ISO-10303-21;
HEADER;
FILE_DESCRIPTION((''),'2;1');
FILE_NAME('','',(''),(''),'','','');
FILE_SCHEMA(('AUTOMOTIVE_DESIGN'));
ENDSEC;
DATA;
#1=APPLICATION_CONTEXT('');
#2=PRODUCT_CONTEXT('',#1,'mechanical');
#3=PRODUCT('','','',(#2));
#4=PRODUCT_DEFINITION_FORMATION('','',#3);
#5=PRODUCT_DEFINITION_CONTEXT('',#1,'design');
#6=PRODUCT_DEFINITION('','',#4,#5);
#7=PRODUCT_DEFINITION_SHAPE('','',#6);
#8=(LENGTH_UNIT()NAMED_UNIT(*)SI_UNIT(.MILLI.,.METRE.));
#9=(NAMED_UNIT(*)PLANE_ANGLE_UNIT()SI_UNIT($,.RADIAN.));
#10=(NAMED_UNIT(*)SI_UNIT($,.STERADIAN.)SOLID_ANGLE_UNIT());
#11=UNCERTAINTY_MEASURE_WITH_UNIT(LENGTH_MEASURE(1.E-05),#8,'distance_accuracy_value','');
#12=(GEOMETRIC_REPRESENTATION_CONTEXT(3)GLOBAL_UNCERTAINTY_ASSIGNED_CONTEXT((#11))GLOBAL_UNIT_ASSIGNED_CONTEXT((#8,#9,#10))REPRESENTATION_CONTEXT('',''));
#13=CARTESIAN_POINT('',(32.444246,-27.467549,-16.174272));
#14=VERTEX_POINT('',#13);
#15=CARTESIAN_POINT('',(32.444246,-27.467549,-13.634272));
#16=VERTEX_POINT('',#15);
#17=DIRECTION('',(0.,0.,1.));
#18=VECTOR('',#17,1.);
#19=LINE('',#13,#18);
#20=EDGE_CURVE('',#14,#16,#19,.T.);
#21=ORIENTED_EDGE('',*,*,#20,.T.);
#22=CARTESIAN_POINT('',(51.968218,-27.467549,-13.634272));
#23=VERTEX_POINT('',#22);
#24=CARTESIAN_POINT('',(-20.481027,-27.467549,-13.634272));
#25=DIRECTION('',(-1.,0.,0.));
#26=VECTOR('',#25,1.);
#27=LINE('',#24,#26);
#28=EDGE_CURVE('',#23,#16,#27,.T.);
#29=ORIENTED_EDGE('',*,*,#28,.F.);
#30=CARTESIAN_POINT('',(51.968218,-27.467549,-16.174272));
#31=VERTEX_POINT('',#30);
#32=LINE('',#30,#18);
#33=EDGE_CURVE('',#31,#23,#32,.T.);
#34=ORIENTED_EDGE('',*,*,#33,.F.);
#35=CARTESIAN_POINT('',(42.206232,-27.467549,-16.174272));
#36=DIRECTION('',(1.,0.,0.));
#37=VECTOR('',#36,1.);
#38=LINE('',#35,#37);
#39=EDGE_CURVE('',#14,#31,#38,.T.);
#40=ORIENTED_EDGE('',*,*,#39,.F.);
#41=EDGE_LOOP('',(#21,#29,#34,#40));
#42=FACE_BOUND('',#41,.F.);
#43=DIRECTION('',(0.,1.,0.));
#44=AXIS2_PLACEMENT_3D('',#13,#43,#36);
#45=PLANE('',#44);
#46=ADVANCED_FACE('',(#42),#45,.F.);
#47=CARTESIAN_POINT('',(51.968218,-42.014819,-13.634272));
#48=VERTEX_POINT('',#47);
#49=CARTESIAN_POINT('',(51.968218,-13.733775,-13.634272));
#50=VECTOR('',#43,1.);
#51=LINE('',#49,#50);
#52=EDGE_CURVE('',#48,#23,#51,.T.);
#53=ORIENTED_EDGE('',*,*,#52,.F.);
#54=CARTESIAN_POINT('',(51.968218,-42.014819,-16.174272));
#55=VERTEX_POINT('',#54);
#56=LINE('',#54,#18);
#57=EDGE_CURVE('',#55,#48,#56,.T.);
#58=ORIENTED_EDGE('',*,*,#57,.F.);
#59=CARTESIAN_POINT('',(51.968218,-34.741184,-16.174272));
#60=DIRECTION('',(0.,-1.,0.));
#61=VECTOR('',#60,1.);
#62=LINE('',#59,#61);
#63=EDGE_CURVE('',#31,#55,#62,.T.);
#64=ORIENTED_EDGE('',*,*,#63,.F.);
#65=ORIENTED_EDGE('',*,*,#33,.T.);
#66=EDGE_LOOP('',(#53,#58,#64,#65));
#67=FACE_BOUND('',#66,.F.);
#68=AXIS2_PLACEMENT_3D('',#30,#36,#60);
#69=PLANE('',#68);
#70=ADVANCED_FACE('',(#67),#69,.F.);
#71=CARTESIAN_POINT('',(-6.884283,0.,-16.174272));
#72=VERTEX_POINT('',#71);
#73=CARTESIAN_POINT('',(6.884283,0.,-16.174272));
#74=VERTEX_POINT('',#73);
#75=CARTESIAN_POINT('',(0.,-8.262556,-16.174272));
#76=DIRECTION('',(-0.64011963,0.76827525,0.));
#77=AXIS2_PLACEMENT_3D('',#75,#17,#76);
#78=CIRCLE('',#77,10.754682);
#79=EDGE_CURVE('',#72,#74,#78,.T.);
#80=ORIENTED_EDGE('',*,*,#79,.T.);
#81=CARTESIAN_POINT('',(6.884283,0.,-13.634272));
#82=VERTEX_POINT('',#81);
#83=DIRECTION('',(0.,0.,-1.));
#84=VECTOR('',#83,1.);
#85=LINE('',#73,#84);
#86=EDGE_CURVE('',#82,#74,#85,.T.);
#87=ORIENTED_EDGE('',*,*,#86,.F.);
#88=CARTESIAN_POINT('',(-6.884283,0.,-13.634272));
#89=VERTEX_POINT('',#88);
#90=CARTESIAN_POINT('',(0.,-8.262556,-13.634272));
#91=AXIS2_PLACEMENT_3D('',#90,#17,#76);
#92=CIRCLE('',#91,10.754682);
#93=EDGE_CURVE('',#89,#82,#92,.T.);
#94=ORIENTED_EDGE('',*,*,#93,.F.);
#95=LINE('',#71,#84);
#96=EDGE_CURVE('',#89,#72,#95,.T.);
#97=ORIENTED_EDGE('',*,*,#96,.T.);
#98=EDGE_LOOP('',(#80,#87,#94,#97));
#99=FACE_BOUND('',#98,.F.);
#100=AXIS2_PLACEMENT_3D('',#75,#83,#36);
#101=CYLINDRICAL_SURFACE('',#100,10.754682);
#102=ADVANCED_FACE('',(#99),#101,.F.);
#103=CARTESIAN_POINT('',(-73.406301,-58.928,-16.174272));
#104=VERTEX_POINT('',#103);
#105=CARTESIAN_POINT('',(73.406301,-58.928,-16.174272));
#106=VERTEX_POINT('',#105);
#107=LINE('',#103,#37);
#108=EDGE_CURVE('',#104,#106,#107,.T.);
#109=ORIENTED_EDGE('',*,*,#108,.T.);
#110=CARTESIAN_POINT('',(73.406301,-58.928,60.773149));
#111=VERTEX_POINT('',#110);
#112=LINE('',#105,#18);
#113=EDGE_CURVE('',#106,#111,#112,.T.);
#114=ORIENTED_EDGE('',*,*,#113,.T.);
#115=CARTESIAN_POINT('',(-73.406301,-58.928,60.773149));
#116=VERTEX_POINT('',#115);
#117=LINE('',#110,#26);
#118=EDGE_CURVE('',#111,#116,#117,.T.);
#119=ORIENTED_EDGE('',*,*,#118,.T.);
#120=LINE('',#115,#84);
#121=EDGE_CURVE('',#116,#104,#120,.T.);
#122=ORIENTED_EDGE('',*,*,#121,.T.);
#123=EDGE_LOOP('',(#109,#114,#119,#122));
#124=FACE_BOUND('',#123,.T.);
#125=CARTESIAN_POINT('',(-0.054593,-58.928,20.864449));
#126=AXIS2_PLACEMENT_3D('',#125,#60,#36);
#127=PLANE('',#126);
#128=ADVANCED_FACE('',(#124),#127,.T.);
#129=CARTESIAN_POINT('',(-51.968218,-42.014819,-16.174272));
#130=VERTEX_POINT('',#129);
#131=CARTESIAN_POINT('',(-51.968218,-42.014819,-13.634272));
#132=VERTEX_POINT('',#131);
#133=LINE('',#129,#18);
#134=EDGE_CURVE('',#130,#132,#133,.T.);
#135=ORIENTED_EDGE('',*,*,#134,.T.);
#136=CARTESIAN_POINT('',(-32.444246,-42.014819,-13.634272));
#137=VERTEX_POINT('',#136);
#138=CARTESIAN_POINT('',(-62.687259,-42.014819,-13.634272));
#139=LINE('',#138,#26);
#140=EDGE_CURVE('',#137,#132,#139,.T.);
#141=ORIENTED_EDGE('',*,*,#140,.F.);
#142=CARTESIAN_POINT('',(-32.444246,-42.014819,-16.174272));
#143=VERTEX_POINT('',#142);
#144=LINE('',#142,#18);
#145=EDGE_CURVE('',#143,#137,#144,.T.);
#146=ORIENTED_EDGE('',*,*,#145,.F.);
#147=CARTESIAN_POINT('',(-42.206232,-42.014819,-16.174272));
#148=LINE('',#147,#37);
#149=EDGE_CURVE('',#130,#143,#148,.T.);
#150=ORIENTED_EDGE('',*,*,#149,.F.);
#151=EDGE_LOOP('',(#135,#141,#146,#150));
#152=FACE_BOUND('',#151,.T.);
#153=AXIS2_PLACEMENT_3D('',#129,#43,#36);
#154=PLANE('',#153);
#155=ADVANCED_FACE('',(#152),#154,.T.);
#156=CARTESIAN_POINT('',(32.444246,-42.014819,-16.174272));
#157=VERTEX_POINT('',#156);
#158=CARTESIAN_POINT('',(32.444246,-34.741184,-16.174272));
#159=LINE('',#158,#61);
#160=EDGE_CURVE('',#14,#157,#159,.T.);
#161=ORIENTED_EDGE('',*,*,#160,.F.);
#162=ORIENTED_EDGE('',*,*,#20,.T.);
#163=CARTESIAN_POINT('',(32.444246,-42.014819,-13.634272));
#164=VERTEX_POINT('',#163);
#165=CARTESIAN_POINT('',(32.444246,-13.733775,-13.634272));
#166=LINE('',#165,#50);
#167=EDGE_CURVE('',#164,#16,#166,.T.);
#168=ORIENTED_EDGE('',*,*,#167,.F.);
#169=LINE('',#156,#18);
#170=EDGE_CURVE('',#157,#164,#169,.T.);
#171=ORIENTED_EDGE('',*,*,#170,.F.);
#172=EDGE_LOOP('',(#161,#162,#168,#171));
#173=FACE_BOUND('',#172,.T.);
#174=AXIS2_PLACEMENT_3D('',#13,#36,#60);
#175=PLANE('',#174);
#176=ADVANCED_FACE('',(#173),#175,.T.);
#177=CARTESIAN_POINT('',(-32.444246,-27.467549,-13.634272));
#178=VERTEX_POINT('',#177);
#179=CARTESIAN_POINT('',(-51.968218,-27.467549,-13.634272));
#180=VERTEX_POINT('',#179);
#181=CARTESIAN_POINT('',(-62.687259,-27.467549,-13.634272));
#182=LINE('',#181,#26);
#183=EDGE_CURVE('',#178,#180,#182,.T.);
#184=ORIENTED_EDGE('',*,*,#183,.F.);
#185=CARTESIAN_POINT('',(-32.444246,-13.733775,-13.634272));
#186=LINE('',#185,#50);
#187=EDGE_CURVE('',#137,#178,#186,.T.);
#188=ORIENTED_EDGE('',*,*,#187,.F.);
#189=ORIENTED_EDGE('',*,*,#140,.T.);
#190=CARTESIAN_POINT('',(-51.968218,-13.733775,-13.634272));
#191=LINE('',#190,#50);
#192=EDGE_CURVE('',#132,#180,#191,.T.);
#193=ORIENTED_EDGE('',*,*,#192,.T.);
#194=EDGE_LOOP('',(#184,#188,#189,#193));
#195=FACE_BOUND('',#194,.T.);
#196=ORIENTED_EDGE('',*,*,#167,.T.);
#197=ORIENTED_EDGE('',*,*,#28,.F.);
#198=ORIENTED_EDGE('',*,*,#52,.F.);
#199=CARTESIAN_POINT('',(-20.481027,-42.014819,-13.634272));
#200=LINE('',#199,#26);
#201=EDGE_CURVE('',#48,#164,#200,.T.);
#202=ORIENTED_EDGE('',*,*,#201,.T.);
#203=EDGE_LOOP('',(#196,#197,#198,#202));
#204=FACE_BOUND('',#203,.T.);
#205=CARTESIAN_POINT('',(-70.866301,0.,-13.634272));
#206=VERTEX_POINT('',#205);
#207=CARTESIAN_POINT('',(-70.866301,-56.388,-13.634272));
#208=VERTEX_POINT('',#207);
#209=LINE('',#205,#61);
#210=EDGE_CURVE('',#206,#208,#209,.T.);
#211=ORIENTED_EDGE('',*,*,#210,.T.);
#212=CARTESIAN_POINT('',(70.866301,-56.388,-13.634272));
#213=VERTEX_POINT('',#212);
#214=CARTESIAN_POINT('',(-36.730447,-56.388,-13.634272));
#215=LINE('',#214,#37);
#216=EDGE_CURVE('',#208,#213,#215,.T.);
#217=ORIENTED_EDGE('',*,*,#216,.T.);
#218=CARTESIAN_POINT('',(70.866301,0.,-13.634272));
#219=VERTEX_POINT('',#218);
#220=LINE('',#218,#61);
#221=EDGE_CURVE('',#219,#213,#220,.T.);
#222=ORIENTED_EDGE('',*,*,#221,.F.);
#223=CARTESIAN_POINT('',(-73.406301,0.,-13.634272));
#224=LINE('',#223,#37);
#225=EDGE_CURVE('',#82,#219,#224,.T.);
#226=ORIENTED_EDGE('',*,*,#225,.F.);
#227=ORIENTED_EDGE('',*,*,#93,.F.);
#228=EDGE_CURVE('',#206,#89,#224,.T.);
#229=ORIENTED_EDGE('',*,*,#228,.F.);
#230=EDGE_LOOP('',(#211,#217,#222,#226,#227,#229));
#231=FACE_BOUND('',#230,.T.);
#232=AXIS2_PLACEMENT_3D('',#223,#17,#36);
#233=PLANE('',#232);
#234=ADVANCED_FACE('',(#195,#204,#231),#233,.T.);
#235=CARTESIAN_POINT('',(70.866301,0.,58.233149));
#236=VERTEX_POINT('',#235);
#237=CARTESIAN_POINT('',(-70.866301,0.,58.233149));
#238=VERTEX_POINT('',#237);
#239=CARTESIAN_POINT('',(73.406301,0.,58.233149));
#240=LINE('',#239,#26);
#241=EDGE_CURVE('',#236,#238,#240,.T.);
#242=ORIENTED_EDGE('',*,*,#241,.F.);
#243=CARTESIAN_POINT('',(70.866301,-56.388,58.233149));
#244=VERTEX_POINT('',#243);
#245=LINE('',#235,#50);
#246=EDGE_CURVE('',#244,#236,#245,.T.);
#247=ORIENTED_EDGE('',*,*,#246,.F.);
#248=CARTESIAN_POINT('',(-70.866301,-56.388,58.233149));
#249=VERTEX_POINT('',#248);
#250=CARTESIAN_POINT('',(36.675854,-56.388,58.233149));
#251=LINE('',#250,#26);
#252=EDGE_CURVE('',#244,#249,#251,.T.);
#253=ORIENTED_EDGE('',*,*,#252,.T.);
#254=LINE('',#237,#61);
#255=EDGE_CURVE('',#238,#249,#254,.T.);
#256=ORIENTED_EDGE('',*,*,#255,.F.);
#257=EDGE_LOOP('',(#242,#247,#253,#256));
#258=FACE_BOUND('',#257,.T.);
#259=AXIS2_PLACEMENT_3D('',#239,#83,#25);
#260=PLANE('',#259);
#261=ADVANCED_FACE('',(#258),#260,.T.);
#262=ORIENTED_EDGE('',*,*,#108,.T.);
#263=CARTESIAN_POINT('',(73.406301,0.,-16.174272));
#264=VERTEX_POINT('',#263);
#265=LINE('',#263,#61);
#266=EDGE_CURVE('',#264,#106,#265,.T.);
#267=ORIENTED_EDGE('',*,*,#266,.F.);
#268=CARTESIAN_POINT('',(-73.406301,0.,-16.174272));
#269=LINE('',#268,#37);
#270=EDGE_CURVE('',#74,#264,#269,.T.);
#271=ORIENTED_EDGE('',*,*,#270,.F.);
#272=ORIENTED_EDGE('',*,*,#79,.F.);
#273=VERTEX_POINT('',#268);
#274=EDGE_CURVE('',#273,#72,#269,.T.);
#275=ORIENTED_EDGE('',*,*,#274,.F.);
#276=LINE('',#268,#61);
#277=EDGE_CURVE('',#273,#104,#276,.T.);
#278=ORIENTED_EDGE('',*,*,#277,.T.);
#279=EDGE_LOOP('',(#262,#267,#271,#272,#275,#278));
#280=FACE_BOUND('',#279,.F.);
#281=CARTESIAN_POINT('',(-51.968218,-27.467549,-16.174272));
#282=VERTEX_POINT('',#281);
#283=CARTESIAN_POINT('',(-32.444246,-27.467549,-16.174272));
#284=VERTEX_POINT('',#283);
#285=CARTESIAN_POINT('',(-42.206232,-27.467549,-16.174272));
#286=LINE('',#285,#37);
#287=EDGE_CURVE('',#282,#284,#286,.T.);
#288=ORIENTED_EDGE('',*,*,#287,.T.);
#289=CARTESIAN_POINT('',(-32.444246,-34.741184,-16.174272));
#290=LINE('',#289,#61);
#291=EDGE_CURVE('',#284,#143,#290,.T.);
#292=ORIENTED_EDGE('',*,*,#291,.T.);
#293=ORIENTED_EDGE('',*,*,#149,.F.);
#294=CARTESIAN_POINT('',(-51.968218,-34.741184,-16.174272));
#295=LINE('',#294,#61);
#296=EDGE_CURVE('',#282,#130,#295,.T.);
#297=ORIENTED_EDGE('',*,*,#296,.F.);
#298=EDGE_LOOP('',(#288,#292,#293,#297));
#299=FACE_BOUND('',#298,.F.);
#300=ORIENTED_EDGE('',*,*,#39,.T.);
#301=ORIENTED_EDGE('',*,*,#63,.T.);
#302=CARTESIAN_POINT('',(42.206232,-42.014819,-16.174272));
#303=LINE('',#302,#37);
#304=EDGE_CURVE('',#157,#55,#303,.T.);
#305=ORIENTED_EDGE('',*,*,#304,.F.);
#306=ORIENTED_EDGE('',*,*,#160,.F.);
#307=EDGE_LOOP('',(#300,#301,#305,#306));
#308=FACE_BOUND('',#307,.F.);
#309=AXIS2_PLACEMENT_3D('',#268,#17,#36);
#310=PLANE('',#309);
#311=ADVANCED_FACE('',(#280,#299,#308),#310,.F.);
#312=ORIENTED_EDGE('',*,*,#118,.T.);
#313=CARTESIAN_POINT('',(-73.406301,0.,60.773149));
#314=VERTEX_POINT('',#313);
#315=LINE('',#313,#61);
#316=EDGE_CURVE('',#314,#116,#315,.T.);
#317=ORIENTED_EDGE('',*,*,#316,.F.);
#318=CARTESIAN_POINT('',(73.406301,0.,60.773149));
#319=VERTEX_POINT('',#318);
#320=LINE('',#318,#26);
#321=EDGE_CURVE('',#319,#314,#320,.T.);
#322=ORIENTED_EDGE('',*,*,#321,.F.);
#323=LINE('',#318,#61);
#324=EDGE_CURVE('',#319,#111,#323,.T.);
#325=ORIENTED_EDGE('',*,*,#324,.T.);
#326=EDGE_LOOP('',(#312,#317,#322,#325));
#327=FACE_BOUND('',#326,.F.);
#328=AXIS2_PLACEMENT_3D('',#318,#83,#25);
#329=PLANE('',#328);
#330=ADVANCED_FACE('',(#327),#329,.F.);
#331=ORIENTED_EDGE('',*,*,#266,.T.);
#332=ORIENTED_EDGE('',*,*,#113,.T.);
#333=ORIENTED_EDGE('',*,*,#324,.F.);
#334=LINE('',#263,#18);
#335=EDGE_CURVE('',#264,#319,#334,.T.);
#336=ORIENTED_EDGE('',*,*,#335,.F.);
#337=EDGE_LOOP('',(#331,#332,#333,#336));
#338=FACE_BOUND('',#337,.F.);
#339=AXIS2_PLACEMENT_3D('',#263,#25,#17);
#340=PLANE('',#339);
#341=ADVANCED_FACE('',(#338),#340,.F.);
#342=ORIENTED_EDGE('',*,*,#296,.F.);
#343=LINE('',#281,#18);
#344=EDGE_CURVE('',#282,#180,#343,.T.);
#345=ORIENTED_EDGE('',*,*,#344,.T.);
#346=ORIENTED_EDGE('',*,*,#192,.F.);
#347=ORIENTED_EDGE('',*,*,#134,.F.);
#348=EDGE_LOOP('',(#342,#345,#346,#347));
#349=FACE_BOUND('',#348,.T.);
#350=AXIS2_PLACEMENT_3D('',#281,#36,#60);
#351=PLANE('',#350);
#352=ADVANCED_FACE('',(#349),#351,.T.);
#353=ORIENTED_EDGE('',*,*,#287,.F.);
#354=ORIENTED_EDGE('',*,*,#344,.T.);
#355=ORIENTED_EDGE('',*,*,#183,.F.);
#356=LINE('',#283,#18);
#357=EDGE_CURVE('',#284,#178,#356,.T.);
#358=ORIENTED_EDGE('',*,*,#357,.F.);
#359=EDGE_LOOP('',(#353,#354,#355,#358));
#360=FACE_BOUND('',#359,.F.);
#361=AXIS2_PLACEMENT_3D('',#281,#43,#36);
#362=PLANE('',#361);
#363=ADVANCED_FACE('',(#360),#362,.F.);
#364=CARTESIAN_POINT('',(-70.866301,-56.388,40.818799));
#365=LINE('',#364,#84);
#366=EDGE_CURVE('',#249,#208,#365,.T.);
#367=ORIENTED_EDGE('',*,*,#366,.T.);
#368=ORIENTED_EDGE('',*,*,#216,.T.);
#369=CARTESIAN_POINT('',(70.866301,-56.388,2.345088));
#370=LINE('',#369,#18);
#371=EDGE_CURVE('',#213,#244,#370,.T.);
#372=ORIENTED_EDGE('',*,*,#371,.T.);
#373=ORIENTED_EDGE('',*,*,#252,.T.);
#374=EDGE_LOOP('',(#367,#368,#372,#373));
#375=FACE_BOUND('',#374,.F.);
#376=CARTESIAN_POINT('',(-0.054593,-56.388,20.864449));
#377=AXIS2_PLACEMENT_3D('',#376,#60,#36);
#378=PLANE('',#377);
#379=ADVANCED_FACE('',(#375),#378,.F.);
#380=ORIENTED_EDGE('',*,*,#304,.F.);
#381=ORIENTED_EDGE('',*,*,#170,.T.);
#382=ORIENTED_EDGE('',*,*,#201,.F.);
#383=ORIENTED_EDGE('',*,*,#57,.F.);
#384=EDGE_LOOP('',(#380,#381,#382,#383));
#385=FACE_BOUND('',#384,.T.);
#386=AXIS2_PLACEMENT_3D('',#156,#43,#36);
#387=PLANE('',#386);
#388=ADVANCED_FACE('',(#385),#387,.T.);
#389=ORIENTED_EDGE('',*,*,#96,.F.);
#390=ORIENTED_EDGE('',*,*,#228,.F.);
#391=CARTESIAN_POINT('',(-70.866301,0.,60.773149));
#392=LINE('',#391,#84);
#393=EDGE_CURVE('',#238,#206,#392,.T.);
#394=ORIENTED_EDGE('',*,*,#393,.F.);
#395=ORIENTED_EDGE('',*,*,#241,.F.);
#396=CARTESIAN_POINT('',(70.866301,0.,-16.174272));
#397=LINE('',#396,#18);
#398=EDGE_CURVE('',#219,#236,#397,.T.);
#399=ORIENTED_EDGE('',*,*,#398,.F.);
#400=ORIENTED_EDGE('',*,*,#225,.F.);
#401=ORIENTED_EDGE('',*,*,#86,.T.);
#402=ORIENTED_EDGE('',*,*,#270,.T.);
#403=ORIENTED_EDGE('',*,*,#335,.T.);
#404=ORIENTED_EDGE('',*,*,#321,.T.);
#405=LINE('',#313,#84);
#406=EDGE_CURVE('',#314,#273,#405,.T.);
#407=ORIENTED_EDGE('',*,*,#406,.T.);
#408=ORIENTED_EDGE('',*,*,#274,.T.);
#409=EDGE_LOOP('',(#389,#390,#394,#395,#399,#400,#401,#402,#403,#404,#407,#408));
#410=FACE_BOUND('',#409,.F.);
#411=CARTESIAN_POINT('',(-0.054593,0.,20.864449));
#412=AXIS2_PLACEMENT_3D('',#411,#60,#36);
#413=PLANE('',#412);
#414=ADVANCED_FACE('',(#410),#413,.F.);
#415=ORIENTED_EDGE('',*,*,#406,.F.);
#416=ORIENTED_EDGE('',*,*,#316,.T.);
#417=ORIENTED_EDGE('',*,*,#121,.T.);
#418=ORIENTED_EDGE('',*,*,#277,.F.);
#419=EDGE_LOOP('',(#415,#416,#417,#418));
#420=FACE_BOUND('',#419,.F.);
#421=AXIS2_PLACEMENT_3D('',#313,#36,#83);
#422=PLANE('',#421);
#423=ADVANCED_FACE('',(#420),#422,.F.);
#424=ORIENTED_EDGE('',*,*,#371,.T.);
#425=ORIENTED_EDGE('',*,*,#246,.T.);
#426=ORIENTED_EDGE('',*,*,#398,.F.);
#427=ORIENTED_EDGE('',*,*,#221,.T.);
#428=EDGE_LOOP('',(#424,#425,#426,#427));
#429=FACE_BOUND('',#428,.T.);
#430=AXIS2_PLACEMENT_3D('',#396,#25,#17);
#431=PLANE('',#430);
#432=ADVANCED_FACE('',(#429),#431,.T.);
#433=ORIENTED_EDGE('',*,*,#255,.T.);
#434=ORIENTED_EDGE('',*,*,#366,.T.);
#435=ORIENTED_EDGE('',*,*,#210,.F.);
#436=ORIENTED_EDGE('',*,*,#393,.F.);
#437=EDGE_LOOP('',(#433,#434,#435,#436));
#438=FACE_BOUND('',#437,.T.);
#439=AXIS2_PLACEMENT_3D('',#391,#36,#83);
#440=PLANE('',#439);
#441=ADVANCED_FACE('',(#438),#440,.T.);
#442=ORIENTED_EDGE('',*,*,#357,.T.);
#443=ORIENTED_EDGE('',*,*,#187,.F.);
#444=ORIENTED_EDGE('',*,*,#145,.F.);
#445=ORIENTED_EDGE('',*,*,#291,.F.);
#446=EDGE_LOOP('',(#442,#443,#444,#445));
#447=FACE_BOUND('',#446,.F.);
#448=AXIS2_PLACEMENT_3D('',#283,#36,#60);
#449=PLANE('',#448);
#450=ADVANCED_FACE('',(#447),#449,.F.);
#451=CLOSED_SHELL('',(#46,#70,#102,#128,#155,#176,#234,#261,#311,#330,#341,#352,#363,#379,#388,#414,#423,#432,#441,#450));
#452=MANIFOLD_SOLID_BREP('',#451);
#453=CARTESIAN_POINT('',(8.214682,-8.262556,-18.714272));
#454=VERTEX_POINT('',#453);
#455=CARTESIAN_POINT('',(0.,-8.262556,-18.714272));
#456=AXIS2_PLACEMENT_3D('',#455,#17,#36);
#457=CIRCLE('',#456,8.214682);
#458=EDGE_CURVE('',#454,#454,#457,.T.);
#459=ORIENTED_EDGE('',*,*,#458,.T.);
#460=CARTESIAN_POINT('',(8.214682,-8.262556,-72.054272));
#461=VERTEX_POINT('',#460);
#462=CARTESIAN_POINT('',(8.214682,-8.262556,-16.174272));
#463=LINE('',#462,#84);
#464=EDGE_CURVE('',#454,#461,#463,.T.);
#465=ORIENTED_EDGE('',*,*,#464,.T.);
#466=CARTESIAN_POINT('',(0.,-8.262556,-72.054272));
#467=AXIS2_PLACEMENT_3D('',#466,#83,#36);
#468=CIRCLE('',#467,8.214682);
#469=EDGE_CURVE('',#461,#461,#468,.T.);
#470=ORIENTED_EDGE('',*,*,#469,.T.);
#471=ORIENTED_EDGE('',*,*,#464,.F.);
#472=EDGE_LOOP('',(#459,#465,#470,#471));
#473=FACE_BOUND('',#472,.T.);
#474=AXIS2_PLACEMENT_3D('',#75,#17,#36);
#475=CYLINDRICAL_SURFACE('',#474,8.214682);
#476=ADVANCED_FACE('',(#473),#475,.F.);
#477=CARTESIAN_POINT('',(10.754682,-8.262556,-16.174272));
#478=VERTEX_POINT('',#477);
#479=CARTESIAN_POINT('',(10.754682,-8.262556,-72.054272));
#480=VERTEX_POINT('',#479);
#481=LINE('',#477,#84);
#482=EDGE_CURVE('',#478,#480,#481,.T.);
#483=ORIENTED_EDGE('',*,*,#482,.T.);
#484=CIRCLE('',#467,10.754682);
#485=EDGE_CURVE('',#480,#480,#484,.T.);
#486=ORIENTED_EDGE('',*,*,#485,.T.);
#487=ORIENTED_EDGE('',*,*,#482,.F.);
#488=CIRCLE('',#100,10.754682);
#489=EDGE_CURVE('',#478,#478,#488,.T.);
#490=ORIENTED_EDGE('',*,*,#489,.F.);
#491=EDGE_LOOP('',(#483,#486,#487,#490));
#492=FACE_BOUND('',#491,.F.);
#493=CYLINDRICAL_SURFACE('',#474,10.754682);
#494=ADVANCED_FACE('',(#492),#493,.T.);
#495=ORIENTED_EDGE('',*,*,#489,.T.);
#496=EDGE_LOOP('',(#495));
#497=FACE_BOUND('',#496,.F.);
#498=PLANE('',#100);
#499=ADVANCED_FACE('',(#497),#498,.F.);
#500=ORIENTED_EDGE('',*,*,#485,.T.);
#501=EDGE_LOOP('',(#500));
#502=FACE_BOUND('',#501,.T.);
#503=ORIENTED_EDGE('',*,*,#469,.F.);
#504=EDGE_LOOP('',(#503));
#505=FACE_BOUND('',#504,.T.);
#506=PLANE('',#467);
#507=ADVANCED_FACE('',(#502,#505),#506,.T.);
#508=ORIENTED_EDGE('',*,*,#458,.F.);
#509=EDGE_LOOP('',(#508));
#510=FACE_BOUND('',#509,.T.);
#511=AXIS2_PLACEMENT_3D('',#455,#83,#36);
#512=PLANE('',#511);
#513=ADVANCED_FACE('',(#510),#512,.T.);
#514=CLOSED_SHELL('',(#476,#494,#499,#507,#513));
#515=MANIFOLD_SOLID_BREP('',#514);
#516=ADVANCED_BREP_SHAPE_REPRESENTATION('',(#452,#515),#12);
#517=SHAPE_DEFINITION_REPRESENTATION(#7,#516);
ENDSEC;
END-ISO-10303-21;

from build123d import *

# Parameters (mm, degrees)
F1_DEPTH = 58.928
F2_T     = -2.54
F3_R     = 10.754682
F4_DEPTH = 33.528
F5_DEPTH = 55.88
F6_T     = -2.54
F7_W     = 19.523971
F7_H     = 14.54727
F8_DEPTH = 31.496


with BuildPart() as f1:
    # F0 (on Front) → F1 (new body)
    with BuildSketch(Plane.XZ):
        with BuildLine():
            Line((73.406301, 60.773149), (-73.406301, 60.773149))
            Line((-73.406301, 60.773149), (-73.406301, -16.174272))
            Line((-73.406301, -16.174272), (-7.560753, -16.174272))
            ThreePointArc((-7.560753, -16.174272), (-0.957058, 0.04856), (5.646638, -16.174272))
            Line((5.646638, -16.174272), (73.406301, -16.174272))
            Line((73.406301, -16.174272), (73.406301, 60.773149))
        make_face()
        with BuildLine():
            ThreePointArc((5.646638, -16.174272), (-0.957058, 0.04856), (-7.560753, -16.174272))
            Line((-7.560753, -16.174272), (5.646638, -16.174272))
        make_face()
    extrude(amount=F1_DEPTH)

    # F2
    f2_openings = [f1.faces().sort_by_distance(p)[0] for p in [
        (0, 0, 22.299439),
    ]]
    offset(amount=F2_T, openings=f2_openings)

    # F3 (on face) → F4 (cut)
    with BuildSketch(Plane(origin=(0, 0, -16.174272), x_dir=(1, 0, 0), z_dir=(0, 0, -1))):
        with Locations((0, 8.262556)):
            Circle(F3_R)
    extrude(amount=-F4_DEPTH, mode=Mode.SUBTRACT)

    # F7 (on face) → F8 (cut)
    with BuildSketch(Plane(origin=(0, 0, -16.174272), x_dir=(1, 0, 0), z_dir=(0, 0, -1))):
        with Locations((42.206232, 34.741184)):
            Rectangle(F7_W, F7_H)
        with Locations((-42.206232, 34.741184)):
            Rectangle(F7_W, F7_H)
    extrude(amount=-F8_DEPTH, mode=Mode.SUBTRACT)


with BuildPart() as f5:
    # F3 (on face) → F5 (new body)
    with BuildSketch(Plane(origin=(0, 0, -16.174272), x_dir=(1, 0, 0), z_dir=(0, 0, -1))):
        with Locations((0, 8.262556)):
            Circle(F3_R)
    extrude(amount=F5_DEPTH)

    # F6
    f6_openings = [f5.faces().sort_by_distance(p)[0] for p in [
        (0, -8.262556, -72.054272),
    ]]
    offset(amount=F6_T, openings=f6_openings)


solid = Compound([f1.part, f5.part])
